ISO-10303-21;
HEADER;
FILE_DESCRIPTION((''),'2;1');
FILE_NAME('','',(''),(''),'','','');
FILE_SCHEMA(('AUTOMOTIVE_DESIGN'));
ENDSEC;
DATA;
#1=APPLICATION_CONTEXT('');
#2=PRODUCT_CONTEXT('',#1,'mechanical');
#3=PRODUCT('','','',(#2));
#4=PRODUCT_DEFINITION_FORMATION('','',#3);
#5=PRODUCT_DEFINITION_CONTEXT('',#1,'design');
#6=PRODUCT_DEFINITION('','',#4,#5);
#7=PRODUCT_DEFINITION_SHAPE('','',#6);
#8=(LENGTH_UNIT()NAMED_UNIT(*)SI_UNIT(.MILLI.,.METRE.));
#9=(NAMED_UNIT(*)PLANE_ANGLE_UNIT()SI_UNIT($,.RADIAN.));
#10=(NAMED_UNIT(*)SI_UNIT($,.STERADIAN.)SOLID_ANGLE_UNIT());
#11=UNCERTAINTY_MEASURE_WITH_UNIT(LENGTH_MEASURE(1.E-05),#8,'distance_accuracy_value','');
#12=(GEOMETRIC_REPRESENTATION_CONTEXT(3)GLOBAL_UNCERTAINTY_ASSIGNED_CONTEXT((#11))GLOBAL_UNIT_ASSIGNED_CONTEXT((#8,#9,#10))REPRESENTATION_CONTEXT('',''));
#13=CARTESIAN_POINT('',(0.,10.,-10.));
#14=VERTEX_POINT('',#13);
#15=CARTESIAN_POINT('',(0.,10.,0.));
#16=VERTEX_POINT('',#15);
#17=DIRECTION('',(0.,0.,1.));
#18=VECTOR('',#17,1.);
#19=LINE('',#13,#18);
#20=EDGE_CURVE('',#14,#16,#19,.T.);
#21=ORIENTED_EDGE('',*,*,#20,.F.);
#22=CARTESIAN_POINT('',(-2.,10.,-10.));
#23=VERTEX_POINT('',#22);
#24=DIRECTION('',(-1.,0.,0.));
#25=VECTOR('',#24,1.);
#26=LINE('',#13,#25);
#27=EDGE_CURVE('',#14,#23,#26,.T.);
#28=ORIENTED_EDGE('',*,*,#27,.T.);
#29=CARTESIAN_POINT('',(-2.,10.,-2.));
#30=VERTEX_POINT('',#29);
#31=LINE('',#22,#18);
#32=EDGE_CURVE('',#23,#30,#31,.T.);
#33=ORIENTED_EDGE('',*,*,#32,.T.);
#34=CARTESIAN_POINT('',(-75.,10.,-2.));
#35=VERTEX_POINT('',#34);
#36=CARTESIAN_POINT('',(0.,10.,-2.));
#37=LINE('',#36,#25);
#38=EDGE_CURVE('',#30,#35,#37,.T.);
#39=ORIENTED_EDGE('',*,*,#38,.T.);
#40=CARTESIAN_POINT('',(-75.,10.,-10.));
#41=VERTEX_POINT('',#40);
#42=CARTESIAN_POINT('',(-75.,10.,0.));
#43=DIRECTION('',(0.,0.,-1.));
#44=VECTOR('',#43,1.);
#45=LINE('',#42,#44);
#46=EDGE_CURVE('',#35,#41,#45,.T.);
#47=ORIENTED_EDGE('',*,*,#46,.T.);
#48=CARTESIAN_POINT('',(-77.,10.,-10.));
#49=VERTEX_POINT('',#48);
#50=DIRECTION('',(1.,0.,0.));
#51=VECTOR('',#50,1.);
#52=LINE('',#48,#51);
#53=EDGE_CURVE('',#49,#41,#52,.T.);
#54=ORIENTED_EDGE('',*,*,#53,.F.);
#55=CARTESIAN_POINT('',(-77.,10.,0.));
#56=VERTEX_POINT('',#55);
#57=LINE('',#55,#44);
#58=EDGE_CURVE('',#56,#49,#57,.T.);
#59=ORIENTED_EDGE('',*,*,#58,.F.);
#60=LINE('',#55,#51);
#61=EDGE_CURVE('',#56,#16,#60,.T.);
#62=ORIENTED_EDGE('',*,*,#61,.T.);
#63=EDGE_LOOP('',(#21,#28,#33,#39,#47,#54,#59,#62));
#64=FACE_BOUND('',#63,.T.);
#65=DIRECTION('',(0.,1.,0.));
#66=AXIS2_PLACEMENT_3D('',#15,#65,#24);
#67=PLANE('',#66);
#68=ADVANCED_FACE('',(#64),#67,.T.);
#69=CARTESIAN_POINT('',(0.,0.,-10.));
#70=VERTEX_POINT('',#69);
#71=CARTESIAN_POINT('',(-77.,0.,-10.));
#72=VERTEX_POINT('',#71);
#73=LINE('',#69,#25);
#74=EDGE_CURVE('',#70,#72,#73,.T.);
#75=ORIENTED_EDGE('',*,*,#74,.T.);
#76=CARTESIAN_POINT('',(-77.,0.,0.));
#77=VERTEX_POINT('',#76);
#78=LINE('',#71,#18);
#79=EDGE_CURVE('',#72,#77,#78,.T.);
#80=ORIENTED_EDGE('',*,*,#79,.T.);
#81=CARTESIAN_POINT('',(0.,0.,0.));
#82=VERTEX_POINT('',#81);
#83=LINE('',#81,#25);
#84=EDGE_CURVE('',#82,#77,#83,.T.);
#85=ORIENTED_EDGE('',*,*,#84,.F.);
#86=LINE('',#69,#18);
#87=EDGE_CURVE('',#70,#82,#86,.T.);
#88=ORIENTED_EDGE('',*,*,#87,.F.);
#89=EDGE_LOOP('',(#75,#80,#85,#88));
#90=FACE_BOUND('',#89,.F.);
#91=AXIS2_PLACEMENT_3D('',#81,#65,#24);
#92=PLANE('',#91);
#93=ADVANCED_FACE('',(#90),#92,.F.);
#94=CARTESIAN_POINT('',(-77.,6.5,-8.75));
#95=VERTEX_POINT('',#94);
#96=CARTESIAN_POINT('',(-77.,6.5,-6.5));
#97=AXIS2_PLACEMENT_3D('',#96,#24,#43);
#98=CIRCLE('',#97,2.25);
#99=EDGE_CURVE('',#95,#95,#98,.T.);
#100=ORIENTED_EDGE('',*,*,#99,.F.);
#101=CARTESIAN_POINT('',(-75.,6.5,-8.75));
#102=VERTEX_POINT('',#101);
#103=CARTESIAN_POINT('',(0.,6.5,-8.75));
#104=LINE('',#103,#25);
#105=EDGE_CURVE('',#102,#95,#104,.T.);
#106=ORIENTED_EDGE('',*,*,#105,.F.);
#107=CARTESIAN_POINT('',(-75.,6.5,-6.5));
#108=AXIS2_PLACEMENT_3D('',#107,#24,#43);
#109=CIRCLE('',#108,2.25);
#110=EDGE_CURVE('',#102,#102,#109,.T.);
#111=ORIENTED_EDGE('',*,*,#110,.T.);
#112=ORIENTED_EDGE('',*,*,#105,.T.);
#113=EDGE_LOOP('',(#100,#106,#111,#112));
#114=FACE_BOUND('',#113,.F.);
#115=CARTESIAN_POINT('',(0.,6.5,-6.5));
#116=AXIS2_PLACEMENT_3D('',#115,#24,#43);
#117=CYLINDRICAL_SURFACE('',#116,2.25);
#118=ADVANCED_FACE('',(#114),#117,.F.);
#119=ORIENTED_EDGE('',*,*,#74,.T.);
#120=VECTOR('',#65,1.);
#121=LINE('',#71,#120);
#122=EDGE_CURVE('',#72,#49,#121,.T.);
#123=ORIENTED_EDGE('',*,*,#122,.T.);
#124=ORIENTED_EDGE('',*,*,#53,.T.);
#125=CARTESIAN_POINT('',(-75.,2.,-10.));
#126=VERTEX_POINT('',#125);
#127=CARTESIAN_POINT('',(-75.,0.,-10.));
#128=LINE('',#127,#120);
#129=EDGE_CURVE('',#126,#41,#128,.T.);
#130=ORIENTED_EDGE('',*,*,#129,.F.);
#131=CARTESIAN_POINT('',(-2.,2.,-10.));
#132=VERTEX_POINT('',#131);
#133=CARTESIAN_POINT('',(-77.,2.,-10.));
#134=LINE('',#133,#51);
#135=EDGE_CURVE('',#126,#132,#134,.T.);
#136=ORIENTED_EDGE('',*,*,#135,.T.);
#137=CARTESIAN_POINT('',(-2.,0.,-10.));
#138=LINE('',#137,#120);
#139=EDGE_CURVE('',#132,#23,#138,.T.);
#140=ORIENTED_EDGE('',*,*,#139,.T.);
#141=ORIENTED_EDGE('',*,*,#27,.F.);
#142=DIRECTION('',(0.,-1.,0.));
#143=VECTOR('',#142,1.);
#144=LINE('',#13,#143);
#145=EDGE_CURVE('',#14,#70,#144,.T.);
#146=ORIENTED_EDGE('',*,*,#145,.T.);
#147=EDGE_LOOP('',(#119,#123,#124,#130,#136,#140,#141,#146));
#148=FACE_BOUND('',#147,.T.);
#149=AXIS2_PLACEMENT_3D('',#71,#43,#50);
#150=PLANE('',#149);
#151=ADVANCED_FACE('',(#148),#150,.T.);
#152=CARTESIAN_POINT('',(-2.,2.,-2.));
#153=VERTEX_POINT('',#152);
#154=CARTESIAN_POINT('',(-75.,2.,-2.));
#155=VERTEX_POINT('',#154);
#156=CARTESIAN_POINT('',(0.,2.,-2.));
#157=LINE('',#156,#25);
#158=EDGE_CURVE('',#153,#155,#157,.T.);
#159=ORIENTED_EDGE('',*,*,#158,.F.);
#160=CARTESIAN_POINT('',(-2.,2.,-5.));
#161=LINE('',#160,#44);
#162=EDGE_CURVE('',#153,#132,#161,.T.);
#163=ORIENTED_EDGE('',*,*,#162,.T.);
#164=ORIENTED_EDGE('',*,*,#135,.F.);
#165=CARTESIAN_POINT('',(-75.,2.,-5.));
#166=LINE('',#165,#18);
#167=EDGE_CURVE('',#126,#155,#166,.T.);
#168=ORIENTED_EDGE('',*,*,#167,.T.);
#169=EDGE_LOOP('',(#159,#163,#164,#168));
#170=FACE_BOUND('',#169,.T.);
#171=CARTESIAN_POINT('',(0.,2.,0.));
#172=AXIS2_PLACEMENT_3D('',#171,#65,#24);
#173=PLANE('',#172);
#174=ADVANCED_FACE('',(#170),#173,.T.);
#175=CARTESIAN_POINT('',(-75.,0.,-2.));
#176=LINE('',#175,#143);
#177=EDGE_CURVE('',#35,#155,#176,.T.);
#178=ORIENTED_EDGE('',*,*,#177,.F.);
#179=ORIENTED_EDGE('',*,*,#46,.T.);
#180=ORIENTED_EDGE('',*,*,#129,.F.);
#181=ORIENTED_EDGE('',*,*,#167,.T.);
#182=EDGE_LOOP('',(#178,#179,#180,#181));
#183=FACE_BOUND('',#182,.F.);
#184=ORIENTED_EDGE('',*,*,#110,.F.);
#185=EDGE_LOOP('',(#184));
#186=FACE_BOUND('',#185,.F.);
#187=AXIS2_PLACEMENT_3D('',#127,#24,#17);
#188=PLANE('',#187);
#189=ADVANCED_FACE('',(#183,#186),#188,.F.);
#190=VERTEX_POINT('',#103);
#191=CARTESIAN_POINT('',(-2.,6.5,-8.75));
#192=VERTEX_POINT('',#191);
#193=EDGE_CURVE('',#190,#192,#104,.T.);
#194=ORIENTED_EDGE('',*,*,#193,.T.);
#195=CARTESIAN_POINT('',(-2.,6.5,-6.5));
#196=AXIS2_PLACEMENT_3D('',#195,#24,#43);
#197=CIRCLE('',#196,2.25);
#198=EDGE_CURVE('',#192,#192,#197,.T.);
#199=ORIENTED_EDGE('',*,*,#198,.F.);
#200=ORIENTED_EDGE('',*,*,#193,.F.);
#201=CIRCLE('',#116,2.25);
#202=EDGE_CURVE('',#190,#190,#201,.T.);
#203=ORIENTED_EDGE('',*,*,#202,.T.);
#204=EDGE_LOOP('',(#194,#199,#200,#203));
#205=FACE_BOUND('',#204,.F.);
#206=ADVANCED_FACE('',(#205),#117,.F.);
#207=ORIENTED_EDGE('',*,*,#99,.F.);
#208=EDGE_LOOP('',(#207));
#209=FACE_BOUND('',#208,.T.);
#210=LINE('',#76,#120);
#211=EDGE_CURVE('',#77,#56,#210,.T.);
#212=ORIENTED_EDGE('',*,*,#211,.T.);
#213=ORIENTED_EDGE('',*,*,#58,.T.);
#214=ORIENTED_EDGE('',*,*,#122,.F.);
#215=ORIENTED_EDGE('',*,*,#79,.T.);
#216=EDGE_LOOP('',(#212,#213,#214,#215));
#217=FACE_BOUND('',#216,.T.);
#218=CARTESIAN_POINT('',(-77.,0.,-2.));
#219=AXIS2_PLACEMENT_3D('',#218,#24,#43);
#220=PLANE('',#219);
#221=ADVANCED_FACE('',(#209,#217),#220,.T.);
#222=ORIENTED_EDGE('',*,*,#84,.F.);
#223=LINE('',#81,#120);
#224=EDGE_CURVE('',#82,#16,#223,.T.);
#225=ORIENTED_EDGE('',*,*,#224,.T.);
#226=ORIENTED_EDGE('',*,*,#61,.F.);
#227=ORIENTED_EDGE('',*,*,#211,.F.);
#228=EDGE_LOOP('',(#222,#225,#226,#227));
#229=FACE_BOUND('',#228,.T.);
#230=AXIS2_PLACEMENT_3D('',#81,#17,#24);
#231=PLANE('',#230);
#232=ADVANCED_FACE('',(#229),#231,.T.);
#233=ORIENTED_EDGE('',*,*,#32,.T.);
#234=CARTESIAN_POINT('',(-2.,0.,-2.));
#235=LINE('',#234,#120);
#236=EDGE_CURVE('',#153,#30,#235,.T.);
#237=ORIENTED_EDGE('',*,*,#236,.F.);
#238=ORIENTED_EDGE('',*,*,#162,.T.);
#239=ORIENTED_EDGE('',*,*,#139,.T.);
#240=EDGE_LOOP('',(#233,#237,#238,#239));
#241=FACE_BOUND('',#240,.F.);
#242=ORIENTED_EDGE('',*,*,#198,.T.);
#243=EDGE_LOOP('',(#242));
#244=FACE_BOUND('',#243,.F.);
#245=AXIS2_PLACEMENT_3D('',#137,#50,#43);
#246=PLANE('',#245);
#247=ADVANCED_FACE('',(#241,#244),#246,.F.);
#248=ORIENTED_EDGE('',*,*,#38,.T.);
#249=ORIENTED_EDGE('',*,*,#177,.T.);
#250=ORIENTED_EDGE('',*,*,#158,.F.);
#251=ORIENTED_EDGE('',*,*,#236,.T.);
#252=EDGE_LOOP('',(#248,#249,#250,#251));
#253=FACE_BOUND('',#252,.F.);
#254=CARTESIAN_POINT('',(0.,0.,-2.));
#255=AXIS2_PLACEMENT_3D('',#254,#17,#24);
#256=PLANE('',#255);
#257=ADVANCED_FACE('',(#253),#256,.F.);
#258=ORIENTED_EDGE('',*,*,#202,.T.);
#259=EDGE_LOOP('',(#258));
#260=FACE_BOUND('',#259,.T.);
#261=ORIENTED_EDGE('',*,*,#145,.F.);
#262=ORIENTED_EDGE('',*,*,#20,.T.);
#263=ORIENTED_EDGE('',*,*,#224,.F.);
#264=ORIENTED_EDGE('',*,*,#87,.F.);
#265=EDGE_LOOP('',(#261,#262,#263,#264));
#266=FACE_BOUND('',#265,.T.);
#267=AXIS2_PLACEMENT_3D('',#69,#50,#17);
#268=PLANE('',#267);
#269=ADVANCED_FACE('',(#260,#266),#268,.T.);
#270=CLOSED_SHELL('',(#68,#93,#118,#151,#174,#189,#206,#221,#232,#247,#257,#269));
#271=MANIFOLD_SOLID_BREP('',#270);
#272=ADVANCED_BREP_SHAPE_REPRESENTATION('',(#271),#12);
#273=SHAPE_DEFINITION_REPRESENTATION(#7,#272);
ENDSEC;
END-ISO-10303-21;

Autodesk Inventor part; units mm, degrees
ref_plane "YZ Plane" through (0, 0, 0) normal (1, 0, 0) x (0, 1, 0)
ref_plane "XZ Plane" through (0, 0, 0) normal (0, 1, 0) x (-1, 0, 0)
ref_plane "XY Plane" through (0, 0, 0) normal (0, 0, 1) x (1, 0, 0)
sketch "Sketch1" plane through (0, 0, 0) normal (0, 1, 0) x (-1, 0, 0)
  line L0 (0, 0) -> (77, 0)
  line L1 (77, 0) -> (77, -10)
  line L2 (77, -10) -> (0, -10)
  line L3 (0, -10) -> (0, 0)
  line L4 (77, 0) -> (0, 0)
  line L5 (0, 0) -> (0, -2)
  line L6 (0, -2) -> (77, -2)
  line L7 (77, -2) -> (77, 0)
  point P0 (77, -2)
  point P1 (77, -5)
  dimension "d1" = 10
  dimension "d3" = 2
  dimension "d19" = 77
extrude "Extrusion1" add sketch "Sketch1" along normal blind 2 contours L6 L1 L2 L3
extrude "Extrusion2" add sketch "Sketch1" along normal blind 10 contours L0 L1 L6 L3
sketch "Sketch2" plane through (0, 0, -10) normal (1, 0, 0) x (0, 0, -1)
  line L0 (-10, 0) -> (0, 0) projected
  line L1 (-10, 0) -> (0, 0)
  line L2 (0, 0) -> (0, 10)
  line L3 (0, 10) -> (-10, 10)
  line L4 (-10, 10) -> (-10, 0)
  dimension "d8" = 10
  dimension "d9" = 10
extrude "Extrusion3" add sketch "Sketch2" against normal blind 2
sketch "Sketch3" plane through (-77, 0, -10) normal (-1, 0, 0) x (0, 0, 1)
  line L0 (0, 0) -> (0, 10) projected
  line L1 (10, 10) -> (0, 10) projected
  line L2 (0, 0) -> (10, 0)
  line L3 (10, 0) -> (10, 10)
  line L4 (10, 10) -> (0, 10)
  line L5 (0, 10) -> (0, 0)
  point P0 (10, 0)
extrude "Extrusion4" add sketch "Sketch3" against normal blind 2
sketch "Sketch5" plane through (0, 0, 0) normal (1, 0, 0) x (0, 0, -1)
  line L0 (0, 10) -> (10, 10) projected
  line L1 (10, 0) -> (10, 10) projected
  point P0 (0, 0)
  point P1 (6.5, 6.5)
  dimension "d23" = 3.5
  dimension "d24" = 3.5
hole "Hole1" at (0, 6.5, -6.5) direction (-1, 0, 0) diameter 4.5 end through all clearance for "Flat Head Machine Screw" size "M4" standard "Ansi Metric M Profile"
properties part number "Legs"
